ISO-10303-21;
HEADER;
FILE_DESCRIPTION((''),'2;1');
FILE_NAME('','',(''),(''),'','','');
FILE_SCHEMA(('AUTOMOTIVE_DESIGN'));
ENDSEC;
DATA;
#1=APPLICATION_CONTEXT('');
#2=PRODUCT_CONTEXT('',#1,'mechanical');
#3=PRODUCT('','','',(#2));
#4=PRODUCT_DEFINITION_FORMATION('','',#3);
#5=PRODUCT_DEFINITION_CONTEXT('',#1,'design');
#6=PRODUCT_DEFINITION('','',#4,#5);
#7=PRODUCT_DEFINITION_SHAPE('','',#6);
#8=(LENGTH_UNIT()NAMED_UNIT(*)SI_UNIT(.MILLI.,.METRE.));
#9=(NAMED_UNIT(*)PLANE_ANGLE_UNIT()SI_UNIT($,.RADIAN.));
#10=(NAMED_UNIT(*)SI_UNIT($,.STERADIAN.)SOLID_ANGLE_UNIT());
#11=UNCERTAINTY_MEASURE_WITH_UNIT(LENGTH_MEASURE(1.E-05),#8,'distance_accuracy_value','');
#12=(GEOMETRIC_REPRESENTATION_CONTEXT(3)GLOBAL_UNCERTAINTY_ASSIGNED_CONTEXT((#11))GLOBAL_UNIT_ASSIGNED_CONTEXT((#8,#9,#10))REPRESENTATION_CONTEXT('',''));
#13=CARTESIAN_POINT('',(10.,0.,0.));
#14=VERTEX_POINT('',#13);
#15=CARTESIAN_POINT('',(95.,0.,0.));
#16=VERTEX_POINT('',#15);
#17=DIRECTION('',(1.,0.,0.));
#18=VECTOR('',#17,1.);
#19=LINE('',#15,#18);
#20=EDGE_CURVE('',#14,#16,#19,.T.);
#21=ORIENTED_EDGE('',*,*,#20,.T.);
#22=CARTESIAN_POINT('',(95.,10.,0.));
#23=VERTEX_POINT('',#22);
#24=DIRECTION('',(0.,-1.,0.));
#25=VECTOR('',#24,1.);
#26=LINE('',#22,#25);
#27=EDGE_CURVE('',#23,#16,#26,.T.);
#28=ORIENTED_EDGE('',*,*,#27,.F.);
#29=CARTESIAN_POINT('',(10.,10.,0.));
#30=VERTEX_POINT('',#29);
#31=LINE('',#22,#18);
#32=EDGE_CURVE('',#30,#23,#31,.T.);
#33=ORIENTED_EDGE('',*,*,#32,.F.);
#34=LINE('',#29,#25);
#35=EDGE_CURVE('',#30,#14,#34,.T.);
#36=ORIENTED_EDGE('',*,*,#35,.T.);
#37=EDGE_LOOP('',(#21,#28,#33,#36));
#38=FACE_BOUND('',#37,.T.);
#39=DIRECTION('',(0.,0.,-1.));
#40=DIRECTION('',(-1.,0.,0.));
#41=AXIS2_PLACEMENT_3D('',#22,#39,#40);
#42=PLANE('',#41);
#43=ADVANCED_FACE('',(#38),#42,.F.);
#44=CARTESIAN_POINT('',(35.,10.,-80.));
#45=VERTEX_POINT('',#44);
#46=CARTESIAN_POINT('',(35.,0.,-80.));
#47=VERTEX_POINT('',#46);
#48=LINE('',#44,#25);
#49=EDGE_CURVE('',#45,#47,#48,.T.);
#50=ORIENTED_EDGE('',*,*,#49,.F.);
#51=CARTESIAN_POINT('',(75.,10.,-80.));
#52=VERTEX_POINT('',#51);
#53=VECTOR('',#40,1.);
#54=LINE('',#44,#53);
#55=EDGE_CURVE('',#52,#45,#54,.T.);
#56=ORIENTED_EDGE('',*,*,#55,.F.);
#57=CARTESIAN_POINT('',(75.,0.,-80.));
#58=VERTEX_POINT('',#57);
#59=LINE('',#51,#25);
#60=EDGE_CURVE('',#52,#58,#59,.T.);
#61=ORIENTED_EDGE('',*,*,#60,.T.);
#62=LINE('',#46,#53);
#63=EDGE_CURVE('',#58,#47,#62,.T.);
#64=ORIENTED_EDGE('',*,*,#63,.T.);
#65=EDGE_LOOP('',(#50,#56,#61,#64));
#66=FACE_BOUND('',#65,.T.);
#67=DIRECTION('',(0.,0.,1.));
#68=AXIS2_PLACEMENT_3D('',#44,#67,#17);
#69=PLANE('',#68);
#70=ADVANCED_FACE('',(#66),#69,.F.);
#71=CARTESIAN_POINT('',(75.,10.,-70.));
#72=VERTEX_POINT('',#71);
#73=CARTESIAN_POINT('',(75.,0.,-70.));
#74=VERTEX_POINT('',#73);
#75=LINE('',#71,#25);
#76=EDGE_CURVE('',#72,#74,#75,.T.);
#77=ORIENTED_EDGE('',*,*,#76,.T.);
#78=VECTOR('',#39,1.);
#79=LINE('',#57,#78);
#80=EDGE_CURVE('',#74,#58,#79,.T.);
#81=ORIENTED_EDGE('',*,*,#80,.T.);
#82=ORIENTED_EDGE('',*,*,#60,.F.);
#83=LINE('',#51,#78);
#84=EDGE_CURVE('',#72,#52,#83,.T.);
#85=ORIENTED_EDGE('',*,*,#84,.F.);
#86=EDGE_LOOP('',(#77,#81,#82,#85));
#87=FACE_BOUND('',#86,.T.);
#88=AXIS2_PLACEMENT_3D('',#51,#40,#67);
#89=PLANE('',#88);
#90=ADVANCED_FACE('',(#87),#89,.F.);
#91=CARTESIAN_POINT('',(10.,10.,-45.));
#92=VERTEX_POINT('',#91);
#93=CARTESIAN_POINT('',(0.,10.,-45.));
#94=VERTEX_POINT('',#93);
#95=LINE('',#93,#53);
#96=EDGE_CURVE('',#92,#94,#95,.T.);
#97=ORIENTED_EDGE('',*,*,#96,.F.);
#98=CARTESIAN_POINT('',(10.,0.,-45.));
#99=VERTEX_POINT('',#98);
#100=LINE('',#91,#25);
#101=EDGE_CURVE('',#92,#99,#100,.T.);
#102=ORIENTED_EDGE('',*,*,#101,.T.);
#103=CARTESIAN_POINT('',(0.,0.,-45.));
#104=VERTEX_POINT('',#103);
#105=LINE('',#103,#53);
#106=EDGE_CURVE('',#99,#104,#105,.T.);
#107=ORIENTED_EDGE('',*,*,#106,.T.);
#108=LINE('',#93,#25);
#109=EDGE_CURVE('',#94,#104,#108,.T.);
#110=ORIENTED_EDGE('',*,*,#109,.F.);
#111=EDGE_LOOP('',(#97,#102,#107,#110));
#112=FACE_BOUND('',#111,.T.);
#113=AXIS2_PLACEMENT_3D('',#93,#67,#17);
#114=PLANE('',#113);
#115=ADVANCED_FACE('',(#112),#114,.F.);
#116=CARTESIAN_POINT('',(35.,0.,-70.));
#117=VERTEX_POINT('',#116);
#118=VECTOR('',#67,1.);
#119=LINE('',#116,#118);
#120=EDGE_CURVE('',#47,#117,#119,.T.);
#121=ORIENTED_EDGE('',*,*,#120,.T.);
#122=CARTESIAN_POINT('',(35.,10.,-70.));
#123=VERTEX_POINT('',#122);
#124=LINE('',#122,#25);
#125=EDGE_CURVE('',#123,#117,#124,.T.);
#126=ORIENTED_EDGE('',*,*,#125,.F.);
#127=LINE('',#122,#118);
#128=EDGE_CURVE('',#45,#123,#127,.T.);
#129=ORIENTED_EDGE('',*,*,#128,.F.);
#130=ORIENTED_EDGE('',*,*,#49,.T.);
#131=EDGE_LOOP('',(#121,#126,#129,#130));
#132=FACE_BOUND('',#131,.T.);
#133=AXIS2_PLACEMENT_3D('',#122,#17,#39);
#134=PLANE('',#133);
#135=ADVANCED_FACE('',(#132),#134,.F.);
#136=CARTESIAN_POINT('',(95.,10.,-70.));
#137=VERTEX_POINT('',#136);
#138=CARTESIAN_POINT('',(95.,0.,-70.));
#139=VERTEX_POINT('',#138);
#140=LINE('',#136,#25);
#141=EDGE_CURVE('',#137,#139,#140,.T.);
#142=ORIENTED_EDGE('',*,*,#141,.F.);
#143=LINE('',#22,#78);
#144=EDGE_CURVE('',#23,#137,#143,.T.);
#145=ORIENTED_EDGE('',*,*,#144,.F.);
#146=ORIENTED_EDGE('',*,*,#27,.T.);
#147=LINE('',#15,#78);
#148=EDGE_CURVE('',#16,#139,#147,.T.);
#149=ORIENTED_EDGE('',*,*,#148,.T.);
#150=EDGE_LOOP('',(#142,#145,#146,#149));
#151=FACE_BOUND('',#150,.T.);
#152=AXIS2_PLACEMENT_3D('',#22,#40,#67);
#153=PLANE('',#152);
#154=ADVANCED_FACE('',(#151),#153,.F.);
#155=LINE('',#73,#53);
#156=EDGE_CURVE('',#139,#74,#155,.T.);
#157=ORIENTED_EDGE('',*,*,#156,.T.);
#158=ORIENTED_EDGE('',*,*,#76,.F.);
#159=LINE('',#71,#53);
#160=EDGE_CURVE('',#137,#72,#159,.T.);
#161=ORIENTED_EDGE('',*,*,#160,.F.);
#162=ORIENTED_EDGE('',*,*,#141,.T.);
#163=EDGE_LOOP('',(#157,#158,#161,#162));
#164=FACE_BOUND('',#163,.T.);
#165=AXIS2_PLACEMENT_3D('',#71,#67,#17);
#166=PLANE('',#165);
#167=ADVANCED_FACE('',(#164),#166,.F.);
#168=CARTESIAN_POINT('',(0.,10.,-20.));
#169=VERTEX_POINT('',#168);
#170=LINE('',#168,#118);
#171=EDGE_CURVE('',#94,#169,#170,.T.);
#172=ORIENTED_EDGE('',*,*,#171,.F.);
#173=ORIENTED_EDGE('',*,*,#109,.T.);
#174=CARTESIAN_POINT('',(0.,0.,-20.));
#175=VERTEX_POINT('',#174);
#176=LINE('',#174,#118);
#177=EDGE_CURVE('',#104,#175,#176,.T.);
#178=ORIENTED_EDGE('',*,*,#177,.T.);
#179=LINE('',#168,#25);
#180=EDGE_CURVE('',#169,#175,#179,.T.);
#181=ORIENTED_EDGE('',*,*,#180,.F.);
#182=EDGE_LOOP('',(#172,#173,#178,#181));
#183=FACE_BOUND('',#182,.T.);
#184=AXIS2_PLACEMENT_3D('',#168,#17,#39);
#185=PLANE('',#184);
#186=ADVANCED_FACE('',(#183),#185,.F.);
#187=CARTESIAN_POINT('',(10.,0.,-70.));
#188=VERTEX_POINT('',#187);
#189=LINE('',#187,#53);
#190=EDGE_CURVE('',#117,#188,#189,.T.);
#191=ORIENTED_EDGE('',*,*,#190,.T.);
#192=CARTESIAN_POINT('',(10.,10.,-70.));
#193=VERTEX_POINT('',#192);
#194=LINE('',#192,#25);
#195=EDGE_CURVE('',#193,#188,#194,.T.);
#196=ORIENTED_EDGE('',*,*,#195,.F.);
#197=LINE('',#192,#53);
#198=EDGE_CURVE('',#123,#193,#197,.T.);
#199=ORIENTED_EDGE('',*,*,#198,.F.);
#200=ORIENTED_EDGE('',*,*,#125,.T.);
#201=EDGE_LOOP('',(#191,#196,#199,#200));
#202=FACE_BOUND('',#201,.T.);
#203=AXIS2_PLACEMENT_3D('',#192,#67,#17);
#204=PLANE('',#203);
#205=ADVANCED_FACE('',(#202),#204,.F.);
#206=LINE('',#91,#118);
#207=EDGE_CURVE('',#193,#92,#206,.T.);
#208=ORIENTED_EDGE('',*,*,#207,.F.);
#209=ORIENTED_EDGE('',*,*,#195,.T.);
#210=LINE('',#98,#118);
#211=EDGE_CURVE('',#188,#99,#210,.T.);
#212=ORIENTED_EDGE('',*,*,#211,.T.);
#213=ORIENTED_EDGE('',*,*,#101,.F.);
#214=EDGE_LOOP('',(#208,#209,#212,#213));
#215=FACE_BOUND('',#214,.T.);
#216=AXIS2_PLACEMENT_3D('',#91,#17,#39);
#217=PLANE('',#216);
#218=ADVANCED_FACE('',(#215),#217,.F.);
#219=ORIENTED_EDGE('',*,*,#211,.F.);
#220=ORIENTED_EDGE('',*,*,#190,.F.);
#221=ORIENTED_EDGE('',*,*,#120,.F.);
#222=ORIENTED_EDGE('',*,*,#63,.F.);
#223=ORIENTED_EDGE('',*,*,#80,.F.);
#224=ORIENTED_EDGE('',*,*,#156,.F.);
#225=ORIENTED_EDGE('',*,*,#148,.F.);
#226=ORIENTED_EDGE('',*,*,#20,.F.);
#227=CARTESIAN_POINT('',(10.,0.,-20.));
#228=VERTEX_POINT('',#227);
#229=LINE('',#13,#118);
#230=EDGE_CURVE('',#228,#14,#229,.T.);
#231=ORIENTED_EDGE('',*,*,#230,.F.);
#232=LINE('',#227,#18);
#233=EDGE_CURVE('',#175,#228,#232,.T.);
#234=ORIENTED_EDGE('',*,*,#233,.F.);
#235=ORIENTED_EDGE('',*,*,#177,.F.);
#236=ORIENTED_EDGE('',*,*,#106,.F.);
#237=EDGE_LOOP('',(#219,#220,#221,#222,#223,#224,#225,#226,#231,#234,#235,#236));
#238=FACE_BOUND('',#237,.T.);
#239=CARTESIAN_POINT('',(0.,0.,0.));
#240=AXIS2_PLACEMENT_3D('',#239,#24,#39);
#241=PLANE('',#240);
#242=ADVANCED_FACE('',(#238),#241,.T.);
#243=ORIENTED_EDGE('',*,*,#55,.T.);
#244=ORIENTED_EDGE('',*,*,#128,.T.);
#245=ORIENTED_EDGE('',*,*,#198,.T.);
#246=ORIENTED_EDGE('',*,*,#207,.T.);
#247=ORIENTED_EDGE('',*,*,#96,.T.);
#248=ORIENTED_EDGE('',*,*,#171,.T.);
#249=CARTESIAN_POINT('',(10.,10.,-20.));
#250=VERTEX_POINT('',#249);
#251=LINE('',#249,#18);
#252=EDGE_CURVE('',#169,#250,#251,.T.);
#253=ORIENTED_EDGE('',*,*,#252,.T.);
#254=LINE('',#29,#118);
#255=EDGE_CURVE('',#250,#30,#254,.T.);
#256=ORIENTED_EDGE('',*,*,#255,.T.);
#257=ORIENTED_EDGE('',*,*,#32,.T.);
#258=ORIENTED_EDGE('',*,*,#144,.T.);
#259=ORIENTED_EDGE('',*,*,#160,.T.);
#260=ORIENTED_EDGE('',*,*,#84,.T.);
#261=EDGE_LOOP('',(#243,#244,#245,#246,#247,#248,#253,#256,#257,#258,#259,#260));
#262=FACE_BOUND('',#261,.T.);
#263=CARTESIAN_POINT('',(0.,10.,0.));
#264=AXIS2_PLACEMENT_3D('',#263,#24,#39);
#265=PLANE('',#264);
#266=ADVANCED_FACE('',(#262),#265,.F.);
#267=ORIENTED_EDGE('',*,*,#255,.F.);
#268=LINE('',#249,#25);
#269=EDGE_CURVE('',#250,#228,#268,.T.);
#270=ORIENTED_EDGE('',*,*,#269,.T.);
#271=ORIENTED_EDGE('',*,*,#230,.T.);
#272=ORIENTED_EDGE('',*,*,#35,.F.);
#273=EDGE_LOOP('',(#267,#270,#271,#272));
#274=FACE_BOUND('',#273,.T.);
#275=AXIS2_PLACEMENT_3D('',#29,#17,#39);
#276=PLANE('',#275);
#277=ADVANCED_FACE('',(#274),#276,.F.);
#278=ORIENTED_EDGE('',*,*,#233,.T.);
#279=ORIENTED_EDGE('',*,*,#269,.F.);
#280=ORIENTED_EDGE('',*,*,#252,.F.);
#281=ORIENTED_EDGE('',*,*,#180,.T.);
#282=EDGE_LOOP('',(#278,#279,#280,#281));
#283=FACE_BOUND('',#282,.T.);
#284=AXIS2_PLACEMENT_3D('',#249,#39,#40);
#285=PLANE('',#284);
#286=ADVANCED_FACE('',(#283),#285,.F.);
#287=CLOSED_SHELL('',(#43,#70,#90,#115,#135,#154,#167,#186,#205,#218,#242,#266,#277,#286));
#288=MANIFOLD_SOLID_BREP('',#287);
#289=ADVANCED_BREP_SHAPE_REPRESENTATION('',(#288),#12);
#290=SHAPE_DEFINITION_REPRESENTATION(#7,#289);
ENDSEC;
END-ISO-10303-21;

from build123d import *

# Parameters (mm, degrees)
BOSS_EXTRUDE1_DEPTH = 10


with BuildPart() as part:
    # Sketch1 → Boss-Extrude1 (new body)
    with BuildSketch(Plane(origin=(0, 0, 0), x_dir=(1, 0, 0), z_dir=(0, 1, 0))):
        Polygon((95, 0), (10, 0), (10, 20), (0, 20), (0, 45), (10, 45), (10, 70), (35, 70), (35, 80), (75, 80), (75, 70), (95, 70), align=None)
    extrude(amount=BOSS_EXTRUDE1_DEPTH)


solid = part.part
